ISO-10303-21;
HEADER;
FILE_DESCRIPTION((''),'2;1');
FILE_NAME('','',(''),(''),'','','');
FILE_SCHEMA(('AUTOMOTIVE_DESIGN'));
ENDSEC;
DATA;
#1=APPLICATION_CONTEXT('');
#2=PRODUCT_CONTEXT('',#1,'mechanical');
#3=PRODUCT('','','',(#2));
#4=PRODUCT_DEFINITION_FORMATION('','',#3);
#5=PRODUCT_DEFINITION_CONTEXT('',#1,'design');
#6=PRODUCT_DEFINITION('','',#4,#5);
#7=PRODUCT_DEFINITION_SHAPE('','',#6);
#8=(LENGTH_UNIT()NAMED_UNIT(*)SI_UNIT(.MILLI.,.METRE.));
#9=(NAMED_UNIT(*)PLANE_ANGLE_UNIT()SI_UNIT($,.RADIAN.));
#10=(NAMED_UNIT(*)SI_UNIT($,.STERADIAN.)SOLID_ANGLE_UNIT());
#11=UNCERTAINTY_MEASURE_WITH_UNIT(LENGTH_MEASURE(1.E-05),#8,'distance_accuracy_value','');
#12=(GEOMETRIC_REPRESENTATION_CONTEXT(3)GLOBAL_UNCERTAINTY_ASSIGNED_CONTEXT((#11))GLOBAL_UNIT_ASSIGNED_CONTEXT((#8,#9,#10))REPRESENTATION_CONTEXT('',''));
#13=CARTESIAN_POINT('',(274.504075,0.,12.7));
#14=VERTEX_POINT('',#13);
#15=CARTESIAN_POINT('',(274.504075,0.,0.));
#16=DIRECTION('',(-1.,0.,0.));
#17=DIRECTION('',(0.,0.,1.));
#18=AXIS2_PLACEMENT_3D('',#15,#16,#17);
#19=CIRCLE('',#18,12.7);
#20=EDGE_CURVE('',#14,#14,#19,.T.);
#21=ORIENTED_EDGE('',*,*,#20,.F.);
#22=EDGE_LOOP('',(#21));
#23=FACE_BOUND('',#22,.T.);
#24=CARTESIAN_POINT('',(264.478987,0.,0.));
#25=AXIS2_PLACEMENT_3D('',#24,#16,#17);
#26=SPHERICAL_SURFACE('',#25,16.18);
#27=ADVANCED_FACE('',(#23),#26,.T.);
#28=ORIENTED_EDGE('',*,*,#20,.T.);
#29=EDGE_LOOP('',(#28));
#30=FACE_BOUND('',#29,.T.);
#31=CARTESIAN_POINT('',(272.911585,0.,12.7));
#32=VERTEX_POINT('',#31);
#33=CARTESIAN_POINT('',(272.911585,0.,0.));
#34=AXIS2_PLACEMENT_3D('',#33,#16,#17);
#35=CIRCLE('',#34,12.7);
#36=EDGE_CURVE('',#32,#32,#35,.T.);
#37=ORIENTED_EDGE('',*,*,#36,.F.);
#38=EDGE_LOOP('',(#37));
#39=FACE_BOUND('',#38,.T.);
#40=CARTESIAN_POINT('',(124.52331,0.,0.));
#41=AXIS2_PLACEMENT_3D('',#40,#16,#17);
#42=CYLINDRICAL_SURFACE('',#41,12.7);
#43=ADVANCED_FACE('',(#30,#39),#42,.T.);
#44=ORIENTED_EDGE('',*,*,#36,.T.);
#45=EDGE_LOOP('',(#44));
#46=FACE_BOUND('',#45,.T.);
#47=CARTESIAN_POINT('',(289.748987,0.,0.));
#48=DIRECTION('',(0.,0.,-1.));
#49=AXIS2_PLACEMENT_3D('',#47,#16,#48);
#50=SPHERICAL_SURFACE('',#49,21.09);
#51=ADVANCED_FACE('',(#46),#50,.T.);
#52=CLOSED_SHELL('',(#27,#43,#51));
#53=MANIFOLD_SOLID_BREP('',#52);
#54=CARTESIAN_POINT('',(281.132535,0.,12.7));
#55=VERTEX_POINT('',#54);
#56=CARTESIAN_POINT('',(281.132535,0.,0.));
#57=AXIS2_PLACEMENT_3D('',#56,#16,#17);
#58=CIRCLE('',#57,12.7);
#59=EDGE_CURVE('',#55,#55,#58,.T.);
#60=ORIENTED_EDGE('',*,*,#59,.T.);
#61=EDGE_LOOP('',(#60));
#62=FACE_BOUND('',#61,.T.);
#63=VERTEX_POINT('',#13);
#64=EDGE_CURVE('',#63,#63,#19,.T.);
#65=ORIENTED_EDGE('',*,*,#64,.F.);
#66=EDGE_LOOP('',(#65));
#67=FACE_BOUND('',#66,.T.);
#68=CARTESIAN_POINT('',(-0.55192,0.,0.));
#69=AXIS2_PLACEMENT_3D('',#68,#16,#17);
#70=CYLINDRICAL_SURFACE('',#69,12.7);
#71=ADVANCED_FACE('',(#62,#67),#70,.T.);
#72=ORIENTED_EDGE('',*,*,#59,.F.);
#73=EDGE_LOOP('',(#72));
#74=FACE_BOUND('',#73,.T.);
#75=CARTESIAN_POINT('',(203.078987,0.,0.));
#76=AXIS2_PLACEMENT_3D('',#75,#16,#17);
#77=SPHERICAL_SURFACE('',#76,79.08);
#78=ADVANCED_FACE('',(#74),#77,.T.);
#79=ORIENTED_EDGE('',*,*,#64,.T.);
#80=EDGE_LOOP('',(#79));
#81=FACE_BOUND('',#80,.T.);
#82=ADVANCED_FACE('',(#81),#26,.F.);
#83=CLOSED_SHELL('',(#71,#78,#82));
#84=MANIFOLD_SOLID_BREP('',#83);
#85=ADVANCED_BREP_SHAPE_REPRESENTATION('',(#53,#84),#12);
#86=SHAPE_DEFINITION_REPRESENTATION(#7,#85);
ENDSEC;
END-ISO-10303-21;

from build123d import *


with BuildPart() as part:
    # 草图1 one side → 旋转1 (revolve)
    with BuildSketch(Plane(origin=(0, 0, 0), x_dir=(1, 0, 0), z_dir=(0, 1, 0)), mode=Mode.PRIVATE) as revolve_1_sk:
        with BuildLine():
            ThreePointArc((272.911584736, 12.7), (269.750375298, 6.696539989), (268.658986555, 0))
            Line((268.658986555, 0), (280.658986555, 0))
            ThreePointArc((280.658986555, 0), (279.0391777, 7.056432088), (274.504075083, 12.7))
            Line((274.504075083, 12.7), (272.911584736, 12.7))
        make_face()
    revolve(revolve_1_sk.sketch.rotate(Axis((124.523309526, 0, 0), (1, 0, 0)), 180), axis=Axis((124.523309526, 0, 0), (1, 0, 0)))  # turned: the seam where the file's is


with BuildPart() as body_2:
    # 草图2 one side → 旋转3 (revolve)
    with BuildSketch(Plane(origin=(0, 0, 0), x_dir=(1, 0, 0), z_dir=(0, 1, 0)), mode=Mode.PRIVATE) as revolve_3_sk:
        with BuildLine():
            Line((281.13253484, 12.7), (274.504075083, 12.7))
            ThreePointArc((274.504075083, 12.7), (279.0391777, 7.056432088), (280.658986555, 0))
            Line((280.658986555, 0), (282.158986555, 0))
            ThreePointArc((282.158986555, 0), (281.901955918, 6.370706459), (281.13253484, 12.7))
        make_face()
    revolve(revolve_3_sk.sketch.rotate(Axis((-0.551919993, 0, 0), (1, 0, 0)), 180), axis=Axis((-0.551919993, 0, 0), (1, 0, 0)))  # turned: the seam where the file's is


solid = Compound([part.part, body_2.part])
